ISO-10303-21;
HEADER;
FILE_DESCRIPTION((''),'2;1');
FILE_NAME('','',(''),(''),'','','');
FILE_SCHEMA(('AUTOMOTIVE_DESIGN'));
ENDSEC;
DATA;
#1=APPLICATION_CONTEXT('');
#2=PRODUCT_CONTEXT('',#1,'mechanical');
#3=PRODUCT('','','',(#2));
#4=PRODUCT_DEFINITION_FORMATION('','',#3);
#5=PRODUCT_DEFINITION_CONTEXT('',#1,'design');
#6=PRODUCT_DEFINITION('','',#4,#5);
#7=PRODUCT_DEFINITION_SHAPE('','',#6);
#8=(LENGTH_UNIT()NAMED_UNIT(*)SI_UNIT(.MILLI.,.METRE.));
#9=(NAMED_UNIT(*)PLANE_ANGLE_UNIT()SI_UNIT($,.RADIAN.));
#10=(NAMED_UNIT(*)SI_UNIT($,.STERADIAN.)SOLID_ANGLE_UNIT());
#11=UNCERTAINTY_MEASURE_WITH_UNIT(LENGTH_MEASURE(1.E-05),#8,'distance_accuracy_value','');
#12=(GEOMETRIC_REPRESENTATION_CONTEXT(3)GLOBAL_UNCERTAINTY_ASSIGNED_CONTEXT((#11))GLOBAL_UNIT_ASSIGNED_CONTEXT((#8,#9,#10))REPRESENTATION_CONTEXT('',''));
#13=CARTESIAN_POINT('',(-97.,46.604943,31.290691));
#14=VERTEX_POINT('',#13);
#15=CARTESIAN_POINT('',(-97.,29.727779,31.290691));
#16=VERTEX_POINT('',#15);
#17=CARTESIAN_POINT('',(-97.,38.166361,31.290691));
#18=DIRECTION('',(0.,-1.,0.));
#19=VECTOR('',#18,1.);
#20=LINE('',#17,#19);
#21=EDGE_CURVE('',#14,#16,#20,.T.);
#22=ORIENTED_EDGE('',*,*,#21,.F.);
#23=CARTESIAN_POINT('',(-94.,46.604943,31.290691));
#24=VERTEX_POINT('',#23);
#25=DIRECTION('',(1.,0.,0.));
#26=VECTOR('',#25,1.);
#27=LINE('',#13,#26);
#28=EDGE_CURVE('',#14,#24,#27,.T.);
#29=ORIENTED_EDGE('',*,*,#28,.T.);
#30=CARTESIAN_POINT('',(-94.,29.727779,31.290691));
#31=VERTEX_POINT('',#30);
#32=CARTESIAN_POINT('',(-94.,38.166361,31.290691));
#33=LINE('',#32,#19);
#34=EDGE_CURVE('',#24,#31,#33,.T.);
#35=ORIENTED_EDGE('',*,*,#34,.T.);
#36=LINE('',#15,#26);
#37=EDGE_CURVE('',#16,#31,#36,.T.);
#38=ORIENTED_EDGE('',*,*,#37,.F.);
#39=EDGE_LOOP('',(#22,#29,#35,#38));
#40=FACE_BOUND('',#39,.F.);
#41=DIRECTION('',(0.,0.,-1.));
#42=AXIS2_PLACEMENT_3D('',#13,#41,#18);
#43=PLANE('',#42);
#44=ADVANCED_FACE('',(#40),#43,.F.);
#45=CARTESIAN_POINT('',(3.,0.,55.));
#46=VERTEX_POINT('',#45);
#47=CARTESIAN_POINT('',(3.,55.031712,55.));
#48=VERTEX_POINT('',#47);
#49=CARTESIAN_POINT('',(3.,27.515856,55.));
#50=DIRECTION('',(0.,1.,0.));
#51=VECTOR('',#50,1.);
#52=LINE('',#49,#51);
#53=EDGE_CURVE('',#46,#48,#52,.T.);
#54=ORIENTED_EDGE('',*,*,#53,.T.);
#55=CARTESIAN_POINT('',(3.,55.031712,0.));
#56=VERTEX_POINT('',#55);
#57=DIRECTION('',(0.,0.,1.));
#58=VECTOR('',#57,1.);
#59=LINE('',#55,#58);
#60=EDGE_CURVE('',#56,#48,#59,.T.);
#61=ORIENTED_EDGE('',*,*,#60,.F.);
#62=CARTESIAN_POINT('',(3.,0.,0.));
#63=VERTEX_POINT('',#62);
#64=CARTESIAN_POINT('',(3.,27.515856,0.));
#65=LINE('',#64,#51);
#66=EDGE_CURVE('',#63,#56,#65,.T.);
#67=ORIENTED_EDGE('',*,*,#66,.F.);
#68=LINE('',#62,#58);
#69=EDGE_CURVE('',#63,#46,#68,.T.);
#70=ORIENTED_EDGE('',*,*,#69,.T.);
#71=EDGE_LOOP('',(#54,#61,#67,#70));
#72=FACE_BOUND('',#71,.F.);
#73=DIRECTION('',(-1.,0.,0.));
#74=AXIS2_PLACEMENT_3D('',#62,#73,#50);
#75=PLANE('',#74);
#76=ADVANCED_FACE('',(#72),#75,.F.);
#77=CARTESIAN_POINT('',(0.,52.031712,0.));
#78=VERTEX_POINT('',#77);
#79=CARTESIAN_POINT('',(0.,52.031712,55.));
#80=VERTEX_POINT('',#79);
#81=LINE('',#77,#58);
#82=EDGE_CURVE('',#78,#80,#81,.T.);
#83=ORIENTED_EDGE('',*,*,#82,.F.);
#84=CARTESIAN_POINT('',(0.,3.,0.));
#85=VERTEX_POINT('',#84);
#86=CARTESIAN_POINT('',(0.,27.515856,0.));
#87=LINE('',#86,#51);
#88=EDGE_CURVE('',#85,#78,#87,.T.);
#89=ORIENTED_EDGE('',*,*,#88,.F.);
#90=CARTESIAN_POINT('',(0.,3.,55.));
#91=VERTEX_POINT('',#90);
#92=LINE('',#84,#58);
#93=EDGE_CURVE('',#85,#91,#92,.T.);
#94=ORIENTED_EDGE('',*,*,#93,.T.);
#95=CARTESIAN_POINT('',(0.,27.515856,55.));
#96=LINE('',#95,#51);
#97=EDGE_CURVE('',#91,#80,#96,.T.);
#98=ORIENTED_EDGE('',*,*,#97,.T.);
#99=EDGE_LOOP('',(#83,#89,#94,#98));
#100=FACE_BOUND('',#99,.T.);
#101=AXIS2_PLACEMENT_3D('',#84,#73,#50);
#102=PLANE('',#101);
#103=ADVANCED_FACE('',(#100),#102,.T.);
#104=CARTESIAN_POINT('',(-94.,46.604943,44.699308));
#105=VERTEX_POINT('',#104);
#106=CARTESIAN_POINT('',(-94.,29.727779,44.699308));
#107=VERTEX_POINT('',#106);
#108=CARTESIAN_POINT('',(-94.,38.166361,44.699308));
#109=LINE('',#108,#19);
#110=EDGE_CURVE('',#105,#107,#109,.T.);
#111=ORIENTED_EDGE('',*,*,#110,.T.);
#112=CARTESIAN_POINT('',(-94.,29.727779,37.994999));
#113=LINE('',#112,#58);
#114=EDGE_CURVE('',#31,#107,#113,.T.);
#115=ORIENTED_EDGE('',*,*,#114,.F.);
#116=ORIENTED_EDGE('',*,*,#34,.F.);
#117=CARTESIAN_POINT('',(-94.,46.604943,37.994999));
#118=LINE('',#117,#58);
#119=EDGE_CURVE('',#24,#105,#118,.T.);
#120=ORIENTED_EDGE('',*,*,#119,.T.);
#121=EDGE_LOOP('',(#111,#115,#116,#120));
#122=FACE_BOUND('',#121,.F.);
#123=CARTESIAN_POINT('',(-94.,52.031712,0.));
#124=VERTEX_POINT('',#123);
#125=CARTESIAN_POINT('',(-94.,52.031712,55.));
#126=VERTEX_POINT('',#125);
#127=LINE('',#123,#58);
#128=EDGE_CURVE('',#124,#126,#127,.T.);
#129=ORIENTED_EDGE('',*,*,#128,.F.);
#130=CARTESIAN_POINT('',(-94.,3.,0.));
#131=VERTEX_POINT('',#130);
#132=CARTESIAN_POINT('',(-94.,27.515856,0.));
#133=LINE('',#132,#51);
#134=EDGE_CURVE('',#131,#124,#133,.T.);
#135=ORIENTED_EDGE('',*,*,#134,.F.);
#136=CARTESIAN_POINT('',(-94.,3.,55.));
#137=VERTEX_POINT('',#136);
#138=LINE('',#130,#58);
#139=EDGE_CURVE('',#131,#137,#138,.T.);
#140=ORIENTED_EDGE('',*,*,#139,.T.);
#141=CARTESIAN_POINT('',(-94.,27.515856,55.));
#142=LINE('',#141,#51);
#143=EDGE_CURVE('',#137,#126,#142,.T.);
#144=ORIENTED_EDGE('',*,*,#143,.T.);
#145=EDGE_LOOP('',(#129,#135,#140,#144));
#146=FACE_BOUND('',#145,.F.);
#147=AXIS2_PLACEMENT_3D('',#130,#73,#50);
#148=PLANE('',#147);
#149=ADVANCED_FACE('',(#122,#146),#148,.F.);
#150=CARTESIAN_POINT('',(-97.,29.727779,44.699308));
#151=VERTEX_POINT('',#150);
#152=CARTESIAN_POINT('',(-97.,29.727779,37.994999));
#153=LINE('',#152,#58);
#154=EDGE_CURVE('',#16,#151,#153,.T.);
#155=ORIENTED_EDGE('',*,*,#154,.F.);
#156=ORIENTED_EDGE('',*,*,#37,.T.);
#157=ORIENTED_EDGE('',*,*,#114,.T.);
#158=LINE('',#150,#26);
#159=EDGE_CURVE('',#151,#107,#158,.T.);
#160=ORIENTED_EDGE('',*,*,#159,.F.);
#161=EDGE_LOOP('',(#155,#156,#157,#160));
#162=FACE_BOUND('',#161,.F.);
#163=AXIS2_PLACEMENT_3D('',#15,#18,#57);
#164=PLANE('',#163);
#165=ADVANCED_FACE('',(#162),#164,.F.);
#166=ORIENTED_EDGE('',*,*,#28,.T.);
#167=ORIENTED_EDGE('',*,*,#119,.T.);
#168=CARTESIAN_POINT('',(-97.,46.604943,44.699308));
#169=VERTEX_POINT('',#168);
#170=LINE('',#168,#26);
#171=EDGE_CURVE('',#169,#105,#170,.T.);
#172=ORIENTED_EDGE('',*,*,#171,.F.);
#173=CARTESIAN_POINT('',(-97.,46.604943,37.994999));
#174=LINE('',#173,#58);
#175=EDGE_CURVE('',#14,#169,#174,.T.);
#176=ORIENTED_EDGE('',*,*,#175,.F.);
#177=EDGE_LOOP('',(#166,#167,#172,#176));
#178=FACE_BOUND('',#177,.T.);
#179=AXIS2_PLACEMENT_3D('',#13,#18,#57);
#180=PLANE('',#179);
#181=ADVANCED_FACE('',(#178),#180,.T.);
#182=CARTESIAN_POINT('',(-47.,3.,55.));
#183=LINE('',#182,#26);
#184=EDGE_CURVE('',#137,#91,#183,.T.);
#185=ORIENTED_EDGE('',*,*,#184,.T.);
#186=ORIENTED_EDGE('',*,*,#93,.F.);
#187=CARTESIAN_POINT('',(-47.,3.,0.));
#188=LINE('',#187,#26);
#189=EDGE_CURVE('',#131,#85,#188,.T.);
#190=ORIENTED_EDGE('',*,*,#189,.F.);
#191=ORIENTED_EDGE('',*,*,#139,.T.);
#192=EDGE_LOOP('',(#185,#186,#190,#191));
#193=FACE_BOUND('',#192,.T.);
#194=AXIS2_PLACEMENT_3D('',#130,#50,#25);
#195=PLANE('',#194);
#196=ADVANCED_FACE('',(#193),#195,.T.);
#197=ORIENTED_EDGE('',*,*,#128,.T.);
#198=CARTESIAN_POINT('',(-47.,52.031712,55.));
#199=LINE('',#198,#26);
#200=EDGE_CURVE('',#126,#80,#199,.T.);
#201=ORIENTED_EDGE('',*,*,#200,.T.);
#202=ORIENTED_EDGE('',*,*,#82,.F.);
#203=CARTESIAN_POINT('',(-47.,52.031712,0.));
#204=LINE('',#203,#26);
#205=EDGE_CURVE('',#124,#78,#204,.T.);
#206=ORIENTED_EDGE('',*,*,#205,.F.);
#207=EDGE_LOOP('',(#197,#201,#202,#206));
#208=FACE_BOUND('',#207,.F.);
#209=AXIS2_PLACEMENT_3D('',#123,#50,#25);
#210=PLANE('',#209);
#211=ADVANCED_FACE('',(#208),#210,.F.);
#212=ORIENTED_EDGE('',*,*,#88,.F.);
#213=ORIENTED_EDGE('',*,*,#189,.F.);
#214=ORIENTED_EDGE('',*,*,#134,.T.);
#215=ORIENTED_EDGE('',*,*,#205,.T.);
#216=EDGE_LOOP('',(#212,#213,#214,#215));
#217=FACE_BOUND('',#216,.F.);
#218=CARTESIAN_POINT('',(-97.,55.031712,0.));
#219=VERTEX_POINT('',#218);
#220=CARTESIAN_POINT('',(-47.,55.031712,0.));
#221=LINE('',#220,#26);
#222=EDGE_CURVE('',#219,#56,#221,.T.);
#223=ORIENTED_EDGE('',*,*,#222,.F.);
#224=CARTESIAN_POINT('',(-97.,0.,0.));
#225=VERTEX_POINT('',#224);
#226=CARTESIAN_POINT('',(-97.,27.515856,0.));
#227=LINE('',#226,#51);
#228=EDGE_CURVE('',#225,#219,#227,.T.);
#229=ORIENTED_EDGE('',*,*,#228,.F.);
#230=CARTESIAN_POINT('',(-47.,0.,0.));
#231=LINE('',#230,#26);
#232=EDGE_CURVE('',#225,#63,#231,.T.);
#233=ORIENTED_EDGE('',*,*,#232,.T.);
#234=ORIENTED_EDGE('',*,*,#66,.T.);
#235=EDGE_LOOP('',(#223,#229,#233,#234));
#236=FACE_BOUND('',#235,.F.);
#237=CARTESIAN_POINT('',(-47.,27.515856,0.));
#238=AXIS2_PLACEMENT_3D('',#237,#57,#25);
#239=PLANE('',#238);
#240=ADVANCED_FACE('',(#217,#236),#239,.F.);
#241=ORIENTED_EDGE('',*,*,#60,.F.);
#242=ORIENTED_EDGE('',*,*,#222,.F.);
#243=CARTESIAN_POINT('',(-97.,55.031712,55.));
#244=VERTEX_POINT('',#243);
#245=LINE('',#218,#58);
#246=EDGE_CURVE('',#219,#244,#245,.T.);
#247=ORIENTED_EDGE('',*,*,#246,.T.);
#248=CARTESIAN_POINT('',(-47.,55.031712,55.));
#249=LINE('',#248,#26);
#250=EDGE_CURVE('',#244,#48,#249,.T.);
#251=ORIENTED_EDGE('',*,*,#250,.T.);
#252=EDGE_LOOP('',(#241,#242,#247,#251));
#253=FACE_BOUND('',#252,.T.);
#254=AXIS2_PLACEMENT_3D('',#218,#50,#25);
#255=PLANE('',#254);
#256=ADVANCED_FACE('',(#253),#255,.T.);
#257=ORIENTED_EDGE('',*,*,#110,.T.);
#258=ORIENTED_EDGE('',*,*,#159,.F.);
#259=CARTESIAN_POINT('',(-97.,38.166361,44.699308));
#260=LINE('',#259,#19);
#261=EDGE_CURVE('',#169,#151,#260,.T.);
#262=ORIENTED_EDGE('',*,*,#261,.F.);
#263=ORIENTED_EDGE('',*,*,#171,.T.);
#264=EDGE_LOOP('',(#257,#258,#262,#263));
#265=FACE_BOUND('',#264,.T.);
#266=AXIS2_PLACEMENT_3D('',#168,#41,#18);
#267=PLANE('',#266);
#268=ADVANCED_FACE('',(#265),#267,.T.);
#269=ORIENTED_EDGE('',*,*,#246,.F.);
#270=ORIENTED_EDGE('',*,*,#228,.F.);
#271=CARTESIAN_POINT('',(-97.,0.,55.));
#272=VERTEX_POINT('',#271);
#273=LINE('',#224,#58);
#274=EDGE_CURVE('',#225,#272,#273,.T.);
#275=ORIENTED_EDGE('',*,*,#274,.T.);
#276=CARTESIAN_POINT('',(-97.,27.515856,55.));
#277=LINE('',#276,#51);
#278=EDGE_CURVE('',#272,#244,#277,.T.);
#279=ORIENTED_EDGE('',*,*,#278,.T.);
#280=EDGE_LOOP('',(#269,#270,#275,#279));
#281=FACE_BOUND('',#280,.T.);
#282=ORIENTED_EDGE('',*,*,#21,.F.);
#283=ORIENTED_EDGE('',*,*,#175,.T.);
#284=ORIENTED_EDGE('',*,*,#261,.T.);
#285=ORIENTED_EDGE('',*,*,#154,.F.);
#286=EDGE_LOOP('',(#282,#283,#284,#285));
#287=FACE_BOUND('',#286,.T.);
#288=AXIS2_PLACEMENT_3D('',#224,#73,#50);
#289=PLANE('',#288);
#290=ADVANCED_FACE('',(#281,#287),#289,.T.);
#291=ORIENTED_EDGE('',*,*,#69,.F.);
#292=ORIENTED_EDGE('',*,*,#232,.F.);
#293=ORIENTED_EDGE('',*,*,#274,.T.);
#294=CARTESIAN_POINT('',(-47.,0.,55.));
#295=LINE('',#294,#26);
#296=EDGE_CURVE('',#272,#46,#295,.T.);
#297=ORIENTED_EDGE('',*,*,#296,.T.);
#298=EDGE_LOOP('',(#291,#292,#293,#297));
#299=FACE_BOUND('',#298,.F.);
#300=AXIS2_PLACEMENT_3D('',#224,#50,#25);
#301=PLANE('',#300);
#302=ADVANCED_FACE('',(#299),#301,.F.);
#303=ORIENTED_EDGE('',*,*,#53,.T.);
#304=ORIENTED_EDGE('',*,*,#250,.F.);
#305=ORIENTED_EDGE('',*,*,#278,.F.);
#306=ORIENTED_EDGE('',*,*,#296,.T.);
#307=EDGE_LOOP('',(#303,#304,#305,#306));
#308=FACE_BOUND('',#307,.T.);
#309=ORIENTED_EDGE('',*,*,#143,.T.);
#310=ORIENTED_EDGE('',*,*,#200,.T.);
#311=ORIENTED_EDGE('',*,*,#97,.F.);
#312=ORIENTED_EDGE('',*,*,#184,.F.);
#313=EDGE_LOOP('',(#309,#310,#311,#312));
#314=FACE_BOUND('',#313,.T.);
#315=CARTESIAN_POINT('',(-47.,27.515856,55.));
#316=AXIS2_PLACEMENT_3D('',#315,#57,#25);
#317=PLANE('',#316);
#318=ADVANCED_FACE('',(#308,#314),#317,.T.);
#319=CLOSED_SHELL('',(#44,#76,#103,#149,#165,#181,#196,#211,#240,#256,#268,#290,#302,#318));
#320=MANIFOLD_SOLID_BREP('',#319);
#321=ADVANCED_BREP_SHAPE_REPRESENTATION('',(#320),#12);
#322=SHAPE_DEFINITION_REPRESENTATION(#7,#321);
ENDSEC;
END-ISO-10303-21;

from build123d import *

# Parameters (mm, degrees)
F0_W     = 100
F0_H     = 55.031712
F0_W_2   = 94
F0_H_2   = 49.031712
F1_DEPTH = 55
F2_W     = 16.877164
F2_H     = 13.408617
F3_DEPTH = 3


with BuildPart() as f1:
    # F0 (on Top) → F1 (new body)
    with BuildSketch(Plane.XY):
        with Locations((-47, 27.515856)):
            Rectangle(F0_W, F0_H)
        with Locations((-47, 27.515856)):
            Rectangle(F0_W_2, F0_H_2, mode=Mode.SUBTRACT)
    extrude(amount=F1_DEPTH)

    # F2 (on face) → F3 (cut, through all)
    with BuildSketch(Plane(origin=(-97, 0, 0), x_dir=(0, -1, 0), z_dir=(-1, 0, 0))):
        with Locations((-38.166361, 37.994999)):
            Rectangle(F2_W, F2_H)
    extrude(amount=-F3_DEPTH, mode=Mode.SUBTRACT)


solid = f1.part
